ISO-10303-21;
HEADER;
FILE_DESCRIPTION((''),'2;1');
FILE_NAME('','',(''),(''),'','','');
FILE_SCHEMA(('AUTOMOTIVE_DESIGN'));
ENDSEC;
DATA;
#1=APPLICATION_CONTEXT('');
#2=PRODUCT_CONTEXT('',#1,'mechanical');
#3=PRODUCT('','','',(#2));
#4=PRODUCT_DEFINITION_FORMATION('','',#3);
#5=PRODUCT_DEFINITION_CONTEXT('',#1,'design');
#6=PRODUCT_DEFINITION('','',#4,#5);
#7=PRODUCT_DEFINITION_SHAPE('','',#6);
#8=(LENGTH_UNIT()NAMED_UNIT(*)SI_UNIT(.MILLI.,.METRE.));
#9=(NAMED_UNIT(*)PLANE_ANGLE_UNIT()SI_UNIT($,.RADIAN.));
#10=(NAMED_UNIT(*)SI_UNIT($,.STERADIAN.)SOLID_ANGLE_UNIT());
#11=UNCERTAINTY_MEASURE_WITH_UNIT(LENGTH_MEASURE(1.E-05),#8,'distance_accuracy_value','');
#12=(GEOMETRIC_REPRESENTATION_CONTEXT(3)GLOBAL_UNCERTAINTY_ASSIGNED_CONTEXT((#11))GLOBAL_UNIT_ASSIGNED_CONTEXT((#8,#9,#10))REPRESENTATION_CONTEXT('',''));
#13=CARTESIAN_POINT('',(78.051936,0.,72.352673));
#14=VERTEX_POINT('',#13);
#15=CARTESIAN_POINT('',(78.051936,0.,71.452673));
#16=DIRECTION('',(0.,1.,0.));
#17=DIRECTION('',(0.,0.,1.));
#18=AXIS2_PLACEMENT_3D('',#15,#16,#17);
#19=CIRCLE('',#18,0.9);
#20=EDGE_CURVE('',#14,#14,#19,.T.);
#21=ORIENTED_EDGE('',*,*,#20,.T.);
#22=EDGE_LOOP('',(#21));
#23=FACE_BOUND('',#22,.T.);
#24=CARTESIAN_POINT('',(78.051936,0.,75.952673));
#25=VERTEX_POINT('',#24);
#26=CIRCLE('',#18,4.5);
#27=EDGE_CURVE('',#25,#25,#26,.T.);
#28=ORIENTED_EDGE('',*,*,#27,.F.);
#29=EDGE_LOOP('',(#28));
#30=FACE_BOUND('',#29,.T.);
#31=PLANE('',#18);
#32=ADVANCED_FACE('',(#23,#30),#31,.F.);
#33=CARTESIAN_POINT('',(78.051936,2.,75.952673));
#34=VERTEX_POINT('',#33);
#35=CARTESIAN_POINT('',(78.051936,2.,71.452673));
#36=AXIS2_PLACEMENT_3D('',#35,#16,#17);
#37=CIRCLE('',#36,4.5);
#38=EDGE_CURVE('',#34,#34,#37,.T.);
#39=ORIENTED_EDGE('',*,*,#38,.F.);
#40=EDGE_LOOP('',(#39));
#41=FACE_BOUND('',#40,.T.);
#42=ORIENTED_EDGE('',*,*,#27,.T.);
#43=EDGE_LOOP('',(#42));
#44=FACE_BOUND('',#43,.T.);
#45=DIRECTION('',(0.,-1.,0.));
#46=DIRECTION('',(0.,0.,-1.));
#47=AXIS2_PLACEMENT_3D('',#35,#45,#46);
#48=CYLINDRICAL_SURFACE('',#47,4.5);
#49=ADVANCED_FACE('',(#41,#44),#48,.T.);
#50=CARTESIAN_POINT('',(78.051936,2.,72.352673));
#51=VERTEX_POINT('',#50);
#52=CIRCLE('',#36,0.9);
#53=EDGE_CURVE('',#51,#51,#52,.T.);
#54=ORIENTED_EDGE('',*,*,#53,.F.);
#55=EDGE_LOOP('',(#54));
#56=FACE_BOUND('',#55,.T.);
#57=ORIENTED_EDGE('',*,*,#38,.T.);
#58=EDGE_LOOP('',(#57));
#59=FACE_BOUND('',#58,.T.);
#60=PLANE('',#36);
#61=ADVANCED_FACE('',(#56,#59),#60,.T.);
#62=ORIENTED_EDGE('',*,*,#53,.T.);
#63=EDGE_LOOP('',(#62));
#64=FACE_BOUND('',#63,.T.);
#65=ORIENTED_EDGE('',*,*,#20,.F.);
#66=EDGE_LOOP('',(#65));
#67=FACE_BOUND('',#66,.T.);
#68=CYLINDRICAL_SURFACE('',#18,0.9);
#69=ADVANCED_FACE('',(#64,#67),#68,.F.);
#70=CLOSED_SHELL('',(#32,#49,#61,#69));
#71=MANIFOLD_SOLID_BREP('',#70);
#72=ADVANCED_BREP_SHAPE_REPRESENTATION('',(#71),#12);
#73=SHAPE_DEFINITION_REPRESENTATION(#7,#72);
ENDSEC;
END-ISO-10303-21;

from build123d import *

# Parameters (mm, degrees)
SKETCH1_R           = 4.5
BOSS_EXTRUDE1_DEPTH = 2
SKETCH2_R           = 0.9
CUT_EXTRUDE1_DEPTH  = 2


with BuildPart() as part:
    # Sketch1 → Boss-Extrude1 (new body)
    with BuildSketch(Plane(origin=(0, 0, 0), x_dir=(1, 0, 0), z_dir=(0, 1, 0))):
        with Locations(Location((78.051936378, -71.452673496, 0), (0, 0, 270))):
            Circle(SKETCH1_R)
    extrude(amount=BOSS_EXTRUDE1_DEPTH)

    # Sketch2 → Cut-Extrude1 (cut)
    with BuildSketch(Plane(origin=(0, 2, 0), x_dir=(1, 0, 0), z_dir=(0, 1, 0))):
        with Locations(Location((78.051936378, -71.452673496, 0), (0, 0, 270))):
            Circle(SKETCH2_R)
    extrude(amount=-CUT_EXTRUDE1_DEPTH, mode=Mode.SUBTRACT)


solid = part.part
